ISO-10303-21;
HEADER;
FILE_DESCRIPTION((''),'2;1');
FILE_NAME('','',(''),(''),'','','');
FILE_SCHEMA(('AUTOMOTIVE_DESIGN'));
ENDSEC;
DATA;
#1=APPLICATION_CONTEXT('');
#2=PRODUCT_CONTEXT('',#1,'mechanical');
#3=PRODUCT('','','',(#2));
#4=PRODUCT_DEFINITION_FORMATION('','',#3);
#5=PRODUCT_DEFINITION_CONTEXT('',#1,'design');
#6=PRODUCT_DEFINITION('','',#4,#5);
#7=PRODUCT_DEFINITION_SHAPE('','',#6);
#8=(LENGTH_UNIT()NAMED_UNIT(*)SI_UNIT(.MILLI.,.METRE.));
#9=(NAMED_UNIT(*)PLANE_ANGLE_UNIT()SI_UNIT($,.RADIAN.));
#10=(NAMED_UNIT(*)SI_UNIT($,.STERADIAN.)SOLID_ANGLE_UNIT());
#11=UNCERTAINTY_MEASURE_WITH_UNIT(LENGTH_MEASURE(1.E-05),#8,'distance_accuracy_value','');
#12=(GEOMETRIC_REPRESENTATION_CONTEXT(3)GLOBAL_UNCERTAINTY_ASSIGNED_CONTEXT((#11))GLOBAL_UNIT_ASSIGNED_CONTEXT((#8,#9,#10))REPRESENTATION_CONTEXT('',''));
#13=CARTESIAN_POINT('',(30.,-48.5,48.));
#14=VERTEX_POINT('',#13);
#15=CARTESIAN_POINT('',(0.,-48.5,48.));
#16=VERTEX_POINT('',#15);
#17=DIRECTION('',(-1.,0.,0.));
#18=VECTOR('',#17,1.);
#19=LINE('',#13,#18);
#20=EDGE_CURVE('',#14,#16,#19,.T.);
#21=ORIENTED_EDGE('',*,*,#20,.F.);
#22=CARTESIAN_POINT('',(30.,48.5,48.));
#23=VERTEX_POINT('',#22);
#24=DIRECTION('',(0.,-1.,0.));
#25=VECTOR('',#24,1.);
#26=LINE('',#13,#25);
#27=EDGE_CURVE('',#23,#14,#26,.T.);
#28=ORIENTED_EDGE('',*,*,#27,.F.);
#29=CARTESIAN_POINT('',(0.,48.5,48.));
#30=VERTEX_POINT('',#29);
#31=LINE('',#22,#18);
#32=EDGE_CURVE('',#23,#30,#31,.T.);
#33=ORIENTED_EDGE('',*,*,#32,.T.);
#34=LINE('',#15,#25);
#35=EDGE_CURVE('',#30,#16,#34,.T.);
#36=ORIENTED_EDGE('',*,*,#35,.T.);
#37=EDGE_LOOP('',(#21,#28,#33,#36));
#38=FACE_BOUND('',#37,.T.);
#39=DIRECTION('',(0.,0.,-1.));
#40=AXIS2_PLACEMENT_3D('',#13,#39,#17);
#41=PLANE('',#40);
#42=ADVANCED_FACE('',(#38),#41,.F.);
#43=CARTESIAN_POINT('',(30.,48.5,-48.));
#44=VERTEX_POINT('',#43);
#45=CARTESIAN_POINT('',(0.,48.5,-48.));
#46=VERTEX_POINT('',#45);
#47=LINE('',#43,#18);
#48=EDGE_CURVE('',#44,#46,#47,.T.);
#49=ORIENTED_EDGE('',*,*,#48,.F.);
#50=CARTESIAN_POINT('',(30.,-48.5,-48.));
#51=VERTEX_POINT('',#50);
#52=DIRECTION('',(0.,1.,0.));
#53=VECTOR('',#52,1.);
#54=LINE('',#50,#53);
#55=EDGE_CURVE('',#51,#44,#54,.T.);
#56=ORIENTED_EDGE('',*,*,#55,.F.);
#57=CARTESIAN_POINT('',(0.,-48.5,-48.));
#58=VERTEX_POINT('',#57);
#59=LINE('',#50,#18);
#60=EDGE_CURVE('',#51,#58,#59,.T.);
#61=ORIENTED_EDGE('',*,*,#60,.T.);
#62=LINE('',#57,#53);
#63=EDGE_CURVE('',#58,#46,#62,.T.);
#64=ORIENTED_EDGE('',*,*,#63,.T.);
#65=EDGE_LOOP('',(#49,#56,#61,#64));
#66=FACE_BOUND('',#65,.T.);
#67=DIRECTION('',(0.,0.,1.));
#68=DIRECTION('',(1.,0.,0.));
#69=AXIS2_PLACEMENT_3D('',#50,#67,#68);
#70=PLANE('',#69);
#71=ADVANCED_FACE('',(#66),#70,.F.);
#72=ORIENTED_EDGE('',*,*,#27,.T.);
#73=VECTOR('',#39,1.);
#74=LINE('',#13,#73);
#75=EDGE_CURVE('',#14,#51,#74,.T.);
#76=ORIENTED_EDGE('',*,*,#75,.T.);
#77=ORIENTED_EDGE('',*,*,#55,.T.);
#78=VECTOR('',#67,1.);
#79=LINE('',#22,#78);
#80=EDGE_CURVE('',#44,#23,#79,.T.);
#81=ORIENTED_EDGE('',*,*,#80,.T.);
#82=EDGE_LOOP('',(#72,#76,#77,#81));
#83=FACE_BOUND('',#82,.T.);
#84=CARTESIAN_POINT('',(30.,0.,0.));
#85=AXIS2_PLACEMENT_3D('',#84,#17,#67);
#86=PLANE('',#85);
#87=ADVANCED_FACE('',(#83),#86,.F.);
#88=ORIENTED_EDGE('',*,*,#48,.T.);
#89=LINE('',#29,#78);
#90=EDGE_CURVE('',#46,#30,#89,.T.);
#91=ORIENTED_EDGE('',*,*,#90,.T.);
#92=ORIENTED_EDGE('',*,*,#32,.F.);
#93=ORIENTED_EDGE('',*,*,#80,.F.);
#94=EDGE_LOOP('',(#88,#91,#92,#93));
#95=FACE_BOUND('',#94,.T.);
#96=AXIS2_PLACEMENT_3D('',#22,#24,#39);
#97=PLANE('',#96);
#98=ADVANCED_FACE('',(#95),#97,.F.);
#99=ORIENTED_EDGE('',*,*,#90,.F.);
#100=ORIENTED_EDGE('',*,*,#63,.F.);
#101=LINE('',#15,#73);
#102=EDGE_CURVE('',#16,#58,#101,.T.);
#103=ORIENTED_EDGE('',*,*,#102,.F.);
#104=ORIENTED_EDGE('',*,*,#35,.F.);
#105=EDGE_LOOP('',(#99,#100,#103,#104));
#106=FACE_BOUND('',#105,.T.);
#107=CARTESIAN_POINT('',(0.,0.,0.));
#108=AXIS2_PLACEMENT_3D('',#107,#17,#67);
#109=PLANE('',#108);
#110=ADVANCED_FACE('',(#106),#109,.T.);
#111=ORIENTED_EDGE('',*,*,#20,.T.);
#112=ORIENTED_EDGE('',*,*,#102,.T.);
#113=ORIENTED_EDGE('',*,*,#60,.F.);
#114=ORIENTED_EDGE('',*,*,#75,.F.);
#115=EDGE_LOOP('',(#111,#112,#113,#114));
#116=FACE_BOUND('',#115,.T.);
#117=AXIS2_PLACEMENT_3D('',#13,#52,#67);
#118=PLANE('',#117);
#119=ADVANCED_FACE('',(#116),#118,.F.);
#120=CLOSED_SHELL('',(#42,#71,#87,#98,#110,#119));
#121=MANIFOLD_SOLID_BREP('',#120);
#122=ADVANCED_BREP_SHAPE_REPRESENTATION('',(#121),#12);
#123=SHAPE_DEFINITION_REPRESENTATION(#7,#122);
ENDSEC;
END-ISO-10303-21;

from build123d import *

# Parameters (mm, degrees)
ESQUISSE1_W        = 96
ESQUISSE1_H        = 97
BOSS_EXTRU_1_DEPTH = 30


with BuildPart() as part:
    # Esquisse1 → Boss.-Extru.1 (new body)
    with BuildSketch(Plane(origin=(0, 0, 0), x_dir=(0, 0, -1), z_dir=(1, 0, 0))):
        Rectangle(ESQUISSE1_W, ESQUISSE1_H)
    extrude(amount=BOSS_EXTRU_1_DEPTH)


solid = part.part
